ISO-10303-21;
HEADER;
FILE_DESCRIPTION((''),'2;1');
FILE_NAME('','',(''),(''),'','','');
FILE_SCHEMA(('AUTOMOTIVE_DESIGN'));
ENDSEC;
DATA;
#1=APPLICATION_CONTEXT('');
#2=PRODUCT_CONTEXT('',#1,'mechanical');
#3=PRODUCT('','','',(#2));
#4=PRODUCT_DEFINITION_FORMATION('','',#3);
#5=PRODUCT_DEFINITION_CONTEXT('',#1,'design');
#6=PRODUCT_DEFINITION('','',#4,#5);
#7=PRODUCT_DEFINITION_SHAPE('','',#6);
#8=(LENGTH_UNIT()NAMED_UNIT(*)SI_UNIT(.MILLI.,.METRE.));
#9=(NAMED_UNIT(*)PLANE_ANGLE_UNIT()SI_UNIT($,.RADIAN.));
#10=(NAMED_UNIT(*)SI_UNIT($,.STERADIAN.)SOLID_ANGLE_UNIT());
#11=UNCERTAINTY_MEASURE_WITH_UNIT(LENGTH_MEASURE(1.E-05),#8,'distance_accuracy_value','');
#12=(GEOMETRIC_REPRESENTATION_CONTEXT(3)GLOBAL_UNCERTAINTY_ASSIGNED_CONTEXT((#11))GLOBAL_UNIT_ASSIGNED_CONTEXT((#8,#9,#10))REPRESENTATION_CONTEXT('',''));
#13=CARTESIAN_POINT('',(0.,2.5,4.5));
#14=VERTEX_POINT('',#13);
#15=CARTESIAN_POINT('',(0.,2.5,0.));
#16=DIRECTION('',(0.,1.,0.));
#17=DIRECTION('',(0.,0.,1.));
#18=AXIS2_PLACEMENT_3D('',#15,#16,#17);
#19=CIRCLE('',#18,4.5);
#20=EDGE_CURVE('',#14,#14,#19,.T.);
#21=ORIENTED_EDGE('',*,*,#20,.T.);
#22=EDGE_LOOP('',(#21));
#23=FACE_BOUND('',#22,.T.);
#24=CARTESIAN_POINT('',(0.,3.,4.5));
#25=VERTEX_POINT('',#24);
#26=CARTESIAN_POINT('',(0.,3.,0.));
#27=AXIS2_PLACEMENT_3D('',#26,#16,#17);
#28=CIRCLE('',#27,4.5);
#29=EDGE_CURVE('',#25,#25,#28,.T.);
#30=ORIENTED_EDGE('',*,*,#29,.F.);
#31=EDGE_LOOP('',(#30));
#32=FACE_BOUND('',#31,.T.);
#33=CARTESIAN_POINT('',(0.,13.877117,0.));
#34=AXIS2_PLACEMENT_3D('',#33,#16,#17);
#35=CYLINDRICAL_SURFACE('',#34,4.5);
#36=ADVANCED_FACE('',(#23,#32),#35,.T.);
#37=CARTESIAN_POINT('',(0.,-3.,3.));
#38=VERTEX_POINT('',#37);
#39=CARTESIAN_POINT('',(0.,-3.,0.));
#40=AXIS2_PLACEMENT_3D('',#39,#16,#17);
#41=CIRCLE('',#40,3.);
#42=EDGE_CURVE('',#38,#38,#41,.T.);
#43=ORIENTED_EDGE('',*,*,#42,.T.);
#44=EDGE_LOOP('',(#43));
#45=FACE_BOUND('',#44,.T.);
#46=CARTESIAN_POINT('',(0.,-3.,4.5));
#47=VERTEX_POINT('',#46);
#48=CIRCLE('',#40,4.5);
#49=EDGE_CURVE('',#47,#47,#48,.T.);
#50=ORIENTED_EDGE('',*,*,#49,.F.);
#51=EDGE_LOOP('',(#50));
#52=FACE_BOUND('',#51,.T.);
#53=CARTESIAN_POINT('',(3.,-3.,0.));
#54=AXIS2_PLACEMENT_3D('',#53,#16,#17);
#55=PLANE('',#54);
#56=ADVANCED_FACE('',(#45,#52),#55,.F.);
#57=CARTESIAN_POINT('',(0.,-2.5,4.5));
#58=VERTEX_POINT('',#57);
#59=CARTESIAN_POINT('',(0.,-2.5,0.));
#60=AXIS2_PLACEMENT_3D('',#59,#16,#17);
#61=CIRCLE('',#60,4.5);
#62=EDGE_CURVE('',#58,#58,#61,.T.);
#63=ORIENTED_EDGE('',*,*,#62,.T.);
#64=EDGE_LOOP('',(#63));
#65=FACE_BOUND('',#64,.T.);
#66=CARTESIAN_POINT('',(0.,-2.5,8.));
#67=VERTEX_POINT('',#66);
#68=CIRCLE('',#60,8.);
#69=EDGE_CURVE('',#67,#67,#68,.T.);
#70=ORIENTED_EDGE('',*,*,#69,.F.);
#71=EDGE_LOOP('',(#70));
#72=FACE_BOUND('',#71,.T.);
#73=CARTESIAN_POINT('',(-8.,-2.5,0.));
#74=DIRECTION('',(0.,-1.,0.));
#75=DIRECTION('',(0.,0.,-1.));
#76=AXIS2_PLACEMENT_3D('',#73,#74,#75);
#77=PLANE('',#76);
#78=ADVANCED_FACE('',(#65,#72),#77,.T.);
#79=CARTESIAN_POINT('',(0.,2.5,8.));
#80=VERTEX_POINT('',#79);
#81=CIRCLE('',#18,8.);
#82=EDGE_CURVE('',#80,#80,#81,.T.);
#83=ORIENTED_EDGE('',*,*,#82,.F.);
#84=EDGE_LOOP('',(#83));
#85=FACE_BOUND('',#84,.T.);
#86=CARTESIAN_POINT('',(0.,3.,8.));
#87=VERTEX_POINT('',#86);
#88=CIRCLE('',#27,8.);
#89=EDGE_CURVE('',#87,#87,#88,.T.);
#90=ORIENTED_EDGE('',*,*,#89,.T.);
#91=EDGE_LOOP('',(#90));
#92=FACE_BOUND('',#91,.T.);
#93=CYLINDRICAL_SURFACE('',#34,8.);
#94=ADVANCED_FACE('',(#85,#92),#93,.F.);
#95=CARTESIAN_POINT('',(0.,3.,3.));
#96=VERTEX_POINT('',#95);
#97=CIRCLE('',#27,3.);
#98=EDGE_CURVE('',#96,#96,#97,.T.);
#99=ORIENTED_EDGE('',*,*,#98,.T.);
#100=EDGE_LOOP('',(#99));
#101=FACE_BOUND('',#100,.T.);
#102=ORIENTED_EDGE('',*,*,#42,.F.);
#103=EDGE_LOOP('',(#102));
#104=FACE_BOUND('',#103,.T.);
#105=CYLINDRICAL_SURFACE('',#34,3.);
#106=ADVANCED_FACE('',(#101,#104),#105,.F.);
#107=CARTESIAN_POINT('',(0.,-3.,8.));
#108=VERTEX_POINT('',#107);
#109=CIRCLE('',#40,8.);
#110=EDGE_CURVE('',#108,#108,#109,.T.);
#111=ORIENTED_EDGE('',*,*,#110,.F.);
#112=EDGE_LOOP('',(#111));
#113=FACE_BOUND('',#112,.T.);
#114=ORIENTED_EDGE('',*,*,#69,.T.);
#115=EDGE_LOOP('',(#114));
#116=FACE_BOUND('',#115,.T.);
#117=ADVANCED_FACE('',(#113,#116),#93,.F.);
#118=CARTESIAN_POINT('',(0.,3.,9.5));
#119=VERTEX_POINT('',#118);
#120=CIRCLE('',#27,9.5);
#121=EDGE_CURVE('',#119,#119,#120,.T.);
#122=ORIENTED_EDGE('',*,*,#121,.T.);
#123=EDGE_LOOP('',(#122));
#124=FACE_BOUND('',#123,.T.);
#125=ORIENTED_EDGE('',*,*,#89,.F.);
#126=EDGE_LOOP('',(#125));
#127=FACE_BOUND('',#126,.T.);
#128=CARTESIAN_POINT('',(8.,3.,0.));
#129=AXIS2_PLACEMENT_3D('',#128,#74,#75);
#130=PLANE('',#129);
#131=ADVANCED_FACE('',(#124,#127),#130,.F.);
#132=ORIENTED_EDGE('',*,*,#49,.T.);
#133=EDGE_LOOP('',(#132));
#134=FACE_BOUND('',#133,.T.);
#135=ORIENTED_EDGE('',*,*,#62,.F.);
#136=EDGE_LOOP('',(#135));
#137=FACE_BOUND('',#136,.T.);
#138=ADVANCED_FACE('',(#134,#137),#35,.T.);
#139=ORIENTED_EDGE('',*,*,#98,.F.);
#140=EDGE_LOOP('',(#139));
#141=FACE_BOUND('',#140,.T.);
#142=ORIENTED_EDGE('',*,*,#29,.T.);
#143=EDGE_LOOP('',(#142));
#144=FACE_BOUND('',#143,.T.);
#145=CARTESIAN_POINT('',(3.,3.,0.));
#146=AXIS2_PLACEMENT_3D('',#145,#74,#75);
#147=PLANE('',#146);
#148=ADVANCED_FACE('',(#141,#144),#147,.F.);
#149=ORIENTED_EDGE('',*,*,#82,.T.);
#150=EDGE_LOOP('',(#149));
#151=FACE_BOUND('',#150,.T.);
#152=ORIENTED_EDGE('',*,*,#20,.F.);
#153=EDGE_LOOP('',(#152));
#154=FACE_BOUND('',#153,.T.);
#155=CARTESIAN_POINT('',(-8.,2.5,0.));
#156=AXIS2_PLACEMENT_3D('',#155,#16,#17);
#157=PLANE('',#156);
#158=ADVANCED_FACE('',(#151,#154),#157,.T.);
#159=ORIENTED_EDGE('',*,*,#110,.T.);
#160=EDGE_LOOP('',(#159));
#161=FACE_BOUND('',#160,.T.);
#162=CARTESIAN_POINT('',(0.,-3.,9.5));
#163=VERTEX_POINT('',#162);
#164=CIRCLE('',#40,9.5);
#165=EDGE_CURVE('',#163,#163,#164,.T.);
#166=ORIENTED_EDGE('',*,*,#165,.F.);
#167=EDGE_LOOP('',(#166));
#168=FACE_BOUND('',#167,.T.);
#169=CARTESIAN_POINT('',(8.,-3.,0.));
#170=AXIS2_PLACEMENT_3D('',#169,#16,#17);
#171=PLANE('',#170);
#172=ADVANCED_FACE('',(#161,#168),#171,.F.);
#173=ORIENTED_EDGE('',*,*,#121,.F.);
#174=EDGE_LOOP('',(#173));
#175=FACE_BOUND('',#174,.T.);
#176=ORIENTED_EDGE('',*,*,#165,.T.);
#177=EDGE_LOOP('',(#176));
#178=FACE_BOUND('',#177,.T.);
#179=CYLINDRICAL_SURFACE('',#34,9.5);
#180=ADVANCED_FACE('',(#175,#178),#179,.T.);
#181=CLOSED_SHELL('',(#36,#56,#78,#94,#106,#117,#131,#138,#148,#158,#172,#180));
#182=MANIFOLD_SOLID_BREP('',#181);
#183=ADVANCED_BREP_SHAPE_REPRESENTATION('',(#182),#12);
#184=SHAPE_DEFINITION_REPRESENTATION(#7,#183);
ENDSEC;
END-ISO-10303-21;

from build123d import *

# Parameters (mm, degrees)
ESBO_O1_W = 1.5
ESBO_O1_H = 6
ESBO_O2_W = 3.5
ESBO_O2_H = 5


with BuildPart() as part:
    # Esboço1 → Revolução1 (revolve)
    with BuildSketch(Plane.XY, mode=Mode.PRIVATE) as revolu_o1_sk:
        with Locations((3.75, 0)):
            Rectangle(ESBO_O1_W, ESBO_O1_H)
        with Locations((8.75, 0)):
            Rectangle(ESBO_O1_W, ESBO_O1_H)
    revolve(revolu_o1_sk.sketch.rotate(Axis((0, 13.877117288, 0), (0, -1, 0)), 90), axis=Axis((0, 13.877117288, 0), (0, -1, 0)))

    # Esboço2 → Revolução2 (revolve)
    with BuildSketch(Plane.XY, mode=Mode.PRIVATE) as revolu_o2_sk:
        with Locations((-6.25, 0)):
            Rectangle(ESBO_O2_W, ESBO_O2_H)
    revolve(revolu_o2_sk.sketch.rotate(Axis((0, 6.26823955, 0), (0, -1, 0)), 270), axis=Axis((0, 6.26823955, 0), (0, -1, 0)))


solid = part.part
